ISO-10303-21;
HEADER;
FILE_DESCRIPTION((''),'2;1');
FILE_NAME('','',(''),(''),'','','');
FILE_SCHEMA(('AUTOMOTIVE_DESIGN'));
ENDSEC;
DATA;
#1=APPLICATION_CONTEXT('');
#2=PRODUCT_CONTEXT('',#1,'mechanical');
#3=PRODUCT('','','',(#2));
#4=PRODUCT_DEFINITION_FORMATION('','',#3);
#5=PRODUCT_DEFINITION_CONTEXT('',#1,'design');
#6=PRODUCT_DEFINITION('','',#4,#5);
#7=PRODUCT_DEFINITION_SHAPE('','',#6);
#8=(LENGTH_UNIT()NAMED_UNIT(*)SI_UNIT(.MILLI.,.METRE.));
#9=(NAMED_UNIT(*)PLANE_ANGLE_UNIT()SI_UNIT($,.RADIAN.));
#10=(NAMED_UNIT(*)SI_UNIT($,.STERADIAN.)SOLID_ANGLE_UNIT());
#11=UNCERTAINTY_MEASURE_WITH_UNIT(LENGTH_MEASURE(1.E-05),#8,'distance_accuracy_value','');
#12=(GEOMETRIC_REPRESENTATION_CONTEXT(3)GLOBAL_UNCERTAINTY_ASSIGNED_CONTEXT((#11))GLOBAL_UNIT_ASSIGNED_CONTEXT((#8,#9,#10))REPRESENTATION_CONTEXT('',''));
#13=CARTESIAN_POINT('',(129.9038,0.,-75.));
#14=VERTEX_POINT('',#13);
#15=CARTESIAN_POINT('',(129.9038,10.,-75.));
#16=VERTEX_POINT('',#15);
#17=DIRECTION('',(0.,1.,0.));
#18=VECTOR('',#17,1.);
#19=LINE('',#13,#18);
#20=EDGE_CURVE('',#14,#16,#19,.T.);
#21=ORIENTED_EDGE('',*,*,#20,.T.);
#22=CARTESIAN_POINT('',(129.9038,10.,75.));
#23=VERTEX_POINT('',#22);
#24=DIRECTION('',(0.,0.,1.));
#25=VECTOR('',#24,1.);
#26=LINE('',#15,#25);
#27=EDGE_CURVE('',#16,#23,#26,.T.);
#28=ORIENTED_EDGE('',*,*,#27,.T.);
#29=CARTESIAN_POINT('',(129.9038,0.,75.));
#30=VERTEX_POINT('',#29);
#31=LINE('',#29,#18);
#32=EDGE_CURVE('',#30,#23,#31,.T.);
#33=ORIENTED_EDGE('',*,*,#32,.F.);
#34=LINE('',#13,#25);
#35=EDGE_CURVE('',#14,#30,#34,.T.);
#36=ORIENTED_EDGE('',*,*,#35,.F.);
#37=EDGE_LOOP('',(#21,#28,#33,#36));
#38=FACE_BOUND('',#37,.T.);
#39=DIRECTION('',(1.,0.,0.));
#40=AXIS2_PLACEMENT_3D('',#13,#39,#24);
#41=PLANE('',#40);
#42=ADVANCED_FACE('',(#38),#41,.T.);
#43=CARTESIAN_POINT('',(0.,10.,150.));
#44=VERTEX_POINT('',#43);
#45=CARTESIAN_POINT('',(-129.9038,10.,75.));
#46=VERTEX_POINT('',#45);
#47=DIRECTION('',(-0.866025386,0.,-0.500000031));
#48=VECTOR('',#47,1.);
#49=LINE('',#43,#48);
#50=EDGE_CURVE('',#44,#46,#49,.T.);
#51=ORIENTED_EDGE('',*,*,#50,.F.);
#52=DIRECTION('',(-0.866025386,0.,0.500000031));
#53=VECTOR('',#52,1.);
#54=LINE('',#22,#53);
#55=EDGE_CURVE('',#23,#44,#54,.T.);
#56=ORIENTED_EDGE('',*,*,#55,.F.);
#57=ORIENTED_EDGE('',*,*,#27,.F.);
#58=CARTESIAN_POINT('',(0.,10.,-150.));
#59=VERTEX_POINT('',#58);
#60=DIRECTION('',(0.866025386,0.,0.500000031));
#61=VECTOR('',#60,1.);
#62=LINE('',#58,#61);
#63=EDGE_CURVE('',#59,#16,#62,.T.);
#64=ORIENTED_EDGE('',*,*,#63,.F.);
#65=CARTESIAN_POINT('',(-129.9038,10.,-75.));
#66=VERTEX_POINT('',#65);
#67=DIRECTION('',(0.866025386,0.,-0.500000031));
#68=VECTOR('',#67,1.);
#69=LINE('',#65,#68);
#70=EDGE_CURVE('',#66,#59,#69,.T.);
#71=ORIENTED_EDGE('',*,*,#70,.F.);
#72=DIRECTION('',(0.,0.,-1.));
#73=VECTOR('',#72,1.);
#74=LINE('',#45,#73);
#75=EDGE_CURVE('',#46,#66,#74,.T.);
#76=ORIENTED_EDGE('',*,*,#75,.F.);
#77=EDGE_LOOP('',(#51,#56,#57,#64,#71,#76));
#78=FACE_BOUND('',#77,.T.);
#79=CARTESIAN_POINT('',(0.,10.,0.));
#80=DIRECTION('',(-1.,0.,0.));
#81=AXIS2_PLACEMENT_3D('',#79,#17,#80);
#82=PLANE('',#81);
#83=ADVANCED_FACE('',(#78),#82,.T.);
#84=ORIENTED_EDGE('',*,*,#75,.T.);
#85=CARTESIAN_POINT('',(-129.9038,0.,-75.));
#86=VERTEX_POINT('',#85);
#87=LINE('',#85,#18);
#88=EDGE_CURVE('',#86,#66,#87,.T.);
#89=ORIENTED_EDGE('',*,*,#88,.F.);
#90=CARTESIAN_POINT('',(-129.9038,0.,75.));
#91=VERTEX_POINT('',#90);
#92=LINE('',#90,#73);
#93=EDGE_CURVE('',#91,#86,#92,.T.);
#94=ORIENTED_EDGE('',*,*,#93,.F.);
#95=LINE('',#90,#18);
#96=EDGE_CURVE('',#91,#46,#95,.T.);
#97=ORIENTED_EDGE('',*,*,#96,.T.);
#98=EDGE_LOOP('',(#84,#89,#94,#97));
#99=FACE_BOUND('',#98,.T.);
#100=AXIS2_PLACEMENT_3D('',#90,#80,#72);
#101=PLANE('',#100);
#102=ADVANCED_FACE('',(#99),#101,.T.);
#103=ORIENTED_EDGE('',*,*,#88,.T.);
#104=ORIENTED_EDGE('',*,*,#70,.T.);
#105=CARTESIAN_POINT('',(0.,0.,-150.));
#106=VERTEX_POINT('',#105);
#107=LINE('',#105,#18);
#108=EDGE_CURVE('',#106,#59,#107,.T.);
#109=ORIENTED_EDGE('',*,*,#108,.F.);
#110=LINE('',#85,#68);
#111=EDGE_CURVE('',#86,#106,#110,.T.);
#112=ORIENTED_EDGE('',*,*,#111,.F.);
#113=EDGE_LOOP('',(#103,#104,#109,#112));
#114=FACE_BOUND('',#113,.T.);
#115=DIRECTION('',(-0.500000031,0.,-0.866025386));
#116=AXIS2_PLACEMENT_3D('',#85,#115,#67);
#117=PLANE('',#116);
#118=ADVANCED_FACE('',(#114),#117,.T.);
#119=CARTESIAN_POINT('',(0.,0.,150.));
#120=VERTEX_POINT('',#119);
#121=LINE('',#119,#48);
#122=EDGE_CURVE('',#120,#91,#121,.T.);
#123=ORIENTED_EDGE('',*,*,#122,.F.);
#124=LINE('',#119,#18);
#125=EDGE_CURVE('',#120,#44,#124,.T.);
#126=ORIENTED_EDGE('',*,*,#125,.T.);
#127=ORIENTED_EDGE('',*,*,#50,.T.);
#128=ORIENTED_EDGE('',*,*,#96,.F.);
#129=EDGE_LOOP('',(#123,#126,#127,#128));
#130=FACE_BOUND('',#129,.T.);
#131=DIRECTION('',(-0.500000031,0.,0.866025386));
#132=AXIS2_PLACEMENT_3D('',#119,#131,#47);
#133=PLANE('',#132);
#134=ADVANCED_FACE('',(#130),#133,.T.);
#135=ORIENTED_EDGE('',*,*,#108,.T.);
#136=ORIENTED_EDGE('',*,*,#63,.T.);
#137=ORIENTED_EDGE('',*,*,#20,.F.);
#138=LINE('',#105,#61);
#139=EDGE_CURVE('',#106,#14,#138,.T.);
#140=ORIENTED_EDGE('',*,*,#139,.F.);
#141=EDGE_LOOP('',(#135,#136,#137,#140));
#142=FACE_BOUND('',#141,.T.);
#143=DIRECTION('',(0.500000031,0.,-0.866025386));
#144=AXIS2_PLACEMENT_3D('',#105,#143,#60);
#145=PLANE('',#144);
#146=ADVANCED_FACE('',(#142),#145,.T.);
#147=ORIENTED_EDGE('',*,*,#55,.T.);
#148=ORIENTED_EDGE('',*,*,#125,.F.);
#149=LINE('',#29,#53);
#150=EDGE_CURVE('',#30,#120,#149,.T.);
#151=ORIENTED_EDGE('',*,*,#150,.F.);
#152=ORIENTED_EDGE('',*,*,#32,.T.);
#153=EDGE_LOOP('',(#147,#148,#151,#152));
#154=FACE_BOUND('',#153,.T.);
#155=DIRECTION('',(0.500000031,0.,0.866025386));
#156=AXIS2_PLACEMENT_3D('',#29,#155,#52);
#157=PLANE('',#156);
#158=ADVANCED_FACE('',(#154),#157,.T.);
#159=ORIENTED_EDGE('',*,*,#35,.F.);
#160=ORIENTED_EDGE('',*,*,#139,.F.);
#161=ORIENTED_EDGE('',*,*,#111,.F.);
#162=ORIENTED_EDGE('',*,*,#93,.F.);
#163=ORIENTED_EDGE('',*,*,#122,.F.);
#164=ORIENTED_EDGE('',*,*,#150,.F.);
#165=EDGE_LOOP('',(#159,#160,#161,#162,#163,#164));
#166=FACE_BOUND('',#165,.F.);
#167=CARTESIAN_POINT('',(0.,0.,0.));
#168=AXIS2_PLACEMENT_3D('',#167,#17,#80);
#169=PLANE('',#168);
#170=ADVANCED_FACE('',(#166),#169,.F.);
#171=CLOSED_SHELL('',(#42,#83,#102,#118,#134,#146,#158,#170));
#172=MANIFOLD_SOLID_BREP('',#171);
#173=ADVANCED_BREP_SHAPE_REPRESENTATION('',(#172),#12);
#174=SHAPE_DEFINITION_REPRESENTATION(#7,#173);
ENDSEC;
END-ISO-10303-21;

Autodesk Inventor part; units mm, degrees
ref_plane "YZ Plane" through (0, 0, 0) normal (1, 0, 0) x (0, 1, 0)
ref_plane "XZ Plane" through (0, 0, 0) normal (0, 1, 0) x (-1, 0, 0)
ref_plane "XY Plane" through (0, 0, 0) normal (0, 0, 1) x (1, 0, 0)
sketch "Sketch1" plane through (0, 0, 0) normal (0, 1, 0) x (-1, 0, 0)
  line L0 (0, -150) -> (-129.9038, -75)
  line L1 (-129.9038, -75) -> (-129.9038, 75)
  line L2 (-129.9038, 75) -> (0, 150)
  line L3 (0, 150) -> (129.9038, 75)
  line L4 (129.9038, 75) -> (129.9038, -75)
  line L5 (129.9038, -75) -> (0, -150)
  point P0 (0, 0)
  point P1 (0, 0)
  dimension "d0" = 150
extrude "Extrusion1" add sketch "Sketch1" along normal blind 10
properties part number "base"
